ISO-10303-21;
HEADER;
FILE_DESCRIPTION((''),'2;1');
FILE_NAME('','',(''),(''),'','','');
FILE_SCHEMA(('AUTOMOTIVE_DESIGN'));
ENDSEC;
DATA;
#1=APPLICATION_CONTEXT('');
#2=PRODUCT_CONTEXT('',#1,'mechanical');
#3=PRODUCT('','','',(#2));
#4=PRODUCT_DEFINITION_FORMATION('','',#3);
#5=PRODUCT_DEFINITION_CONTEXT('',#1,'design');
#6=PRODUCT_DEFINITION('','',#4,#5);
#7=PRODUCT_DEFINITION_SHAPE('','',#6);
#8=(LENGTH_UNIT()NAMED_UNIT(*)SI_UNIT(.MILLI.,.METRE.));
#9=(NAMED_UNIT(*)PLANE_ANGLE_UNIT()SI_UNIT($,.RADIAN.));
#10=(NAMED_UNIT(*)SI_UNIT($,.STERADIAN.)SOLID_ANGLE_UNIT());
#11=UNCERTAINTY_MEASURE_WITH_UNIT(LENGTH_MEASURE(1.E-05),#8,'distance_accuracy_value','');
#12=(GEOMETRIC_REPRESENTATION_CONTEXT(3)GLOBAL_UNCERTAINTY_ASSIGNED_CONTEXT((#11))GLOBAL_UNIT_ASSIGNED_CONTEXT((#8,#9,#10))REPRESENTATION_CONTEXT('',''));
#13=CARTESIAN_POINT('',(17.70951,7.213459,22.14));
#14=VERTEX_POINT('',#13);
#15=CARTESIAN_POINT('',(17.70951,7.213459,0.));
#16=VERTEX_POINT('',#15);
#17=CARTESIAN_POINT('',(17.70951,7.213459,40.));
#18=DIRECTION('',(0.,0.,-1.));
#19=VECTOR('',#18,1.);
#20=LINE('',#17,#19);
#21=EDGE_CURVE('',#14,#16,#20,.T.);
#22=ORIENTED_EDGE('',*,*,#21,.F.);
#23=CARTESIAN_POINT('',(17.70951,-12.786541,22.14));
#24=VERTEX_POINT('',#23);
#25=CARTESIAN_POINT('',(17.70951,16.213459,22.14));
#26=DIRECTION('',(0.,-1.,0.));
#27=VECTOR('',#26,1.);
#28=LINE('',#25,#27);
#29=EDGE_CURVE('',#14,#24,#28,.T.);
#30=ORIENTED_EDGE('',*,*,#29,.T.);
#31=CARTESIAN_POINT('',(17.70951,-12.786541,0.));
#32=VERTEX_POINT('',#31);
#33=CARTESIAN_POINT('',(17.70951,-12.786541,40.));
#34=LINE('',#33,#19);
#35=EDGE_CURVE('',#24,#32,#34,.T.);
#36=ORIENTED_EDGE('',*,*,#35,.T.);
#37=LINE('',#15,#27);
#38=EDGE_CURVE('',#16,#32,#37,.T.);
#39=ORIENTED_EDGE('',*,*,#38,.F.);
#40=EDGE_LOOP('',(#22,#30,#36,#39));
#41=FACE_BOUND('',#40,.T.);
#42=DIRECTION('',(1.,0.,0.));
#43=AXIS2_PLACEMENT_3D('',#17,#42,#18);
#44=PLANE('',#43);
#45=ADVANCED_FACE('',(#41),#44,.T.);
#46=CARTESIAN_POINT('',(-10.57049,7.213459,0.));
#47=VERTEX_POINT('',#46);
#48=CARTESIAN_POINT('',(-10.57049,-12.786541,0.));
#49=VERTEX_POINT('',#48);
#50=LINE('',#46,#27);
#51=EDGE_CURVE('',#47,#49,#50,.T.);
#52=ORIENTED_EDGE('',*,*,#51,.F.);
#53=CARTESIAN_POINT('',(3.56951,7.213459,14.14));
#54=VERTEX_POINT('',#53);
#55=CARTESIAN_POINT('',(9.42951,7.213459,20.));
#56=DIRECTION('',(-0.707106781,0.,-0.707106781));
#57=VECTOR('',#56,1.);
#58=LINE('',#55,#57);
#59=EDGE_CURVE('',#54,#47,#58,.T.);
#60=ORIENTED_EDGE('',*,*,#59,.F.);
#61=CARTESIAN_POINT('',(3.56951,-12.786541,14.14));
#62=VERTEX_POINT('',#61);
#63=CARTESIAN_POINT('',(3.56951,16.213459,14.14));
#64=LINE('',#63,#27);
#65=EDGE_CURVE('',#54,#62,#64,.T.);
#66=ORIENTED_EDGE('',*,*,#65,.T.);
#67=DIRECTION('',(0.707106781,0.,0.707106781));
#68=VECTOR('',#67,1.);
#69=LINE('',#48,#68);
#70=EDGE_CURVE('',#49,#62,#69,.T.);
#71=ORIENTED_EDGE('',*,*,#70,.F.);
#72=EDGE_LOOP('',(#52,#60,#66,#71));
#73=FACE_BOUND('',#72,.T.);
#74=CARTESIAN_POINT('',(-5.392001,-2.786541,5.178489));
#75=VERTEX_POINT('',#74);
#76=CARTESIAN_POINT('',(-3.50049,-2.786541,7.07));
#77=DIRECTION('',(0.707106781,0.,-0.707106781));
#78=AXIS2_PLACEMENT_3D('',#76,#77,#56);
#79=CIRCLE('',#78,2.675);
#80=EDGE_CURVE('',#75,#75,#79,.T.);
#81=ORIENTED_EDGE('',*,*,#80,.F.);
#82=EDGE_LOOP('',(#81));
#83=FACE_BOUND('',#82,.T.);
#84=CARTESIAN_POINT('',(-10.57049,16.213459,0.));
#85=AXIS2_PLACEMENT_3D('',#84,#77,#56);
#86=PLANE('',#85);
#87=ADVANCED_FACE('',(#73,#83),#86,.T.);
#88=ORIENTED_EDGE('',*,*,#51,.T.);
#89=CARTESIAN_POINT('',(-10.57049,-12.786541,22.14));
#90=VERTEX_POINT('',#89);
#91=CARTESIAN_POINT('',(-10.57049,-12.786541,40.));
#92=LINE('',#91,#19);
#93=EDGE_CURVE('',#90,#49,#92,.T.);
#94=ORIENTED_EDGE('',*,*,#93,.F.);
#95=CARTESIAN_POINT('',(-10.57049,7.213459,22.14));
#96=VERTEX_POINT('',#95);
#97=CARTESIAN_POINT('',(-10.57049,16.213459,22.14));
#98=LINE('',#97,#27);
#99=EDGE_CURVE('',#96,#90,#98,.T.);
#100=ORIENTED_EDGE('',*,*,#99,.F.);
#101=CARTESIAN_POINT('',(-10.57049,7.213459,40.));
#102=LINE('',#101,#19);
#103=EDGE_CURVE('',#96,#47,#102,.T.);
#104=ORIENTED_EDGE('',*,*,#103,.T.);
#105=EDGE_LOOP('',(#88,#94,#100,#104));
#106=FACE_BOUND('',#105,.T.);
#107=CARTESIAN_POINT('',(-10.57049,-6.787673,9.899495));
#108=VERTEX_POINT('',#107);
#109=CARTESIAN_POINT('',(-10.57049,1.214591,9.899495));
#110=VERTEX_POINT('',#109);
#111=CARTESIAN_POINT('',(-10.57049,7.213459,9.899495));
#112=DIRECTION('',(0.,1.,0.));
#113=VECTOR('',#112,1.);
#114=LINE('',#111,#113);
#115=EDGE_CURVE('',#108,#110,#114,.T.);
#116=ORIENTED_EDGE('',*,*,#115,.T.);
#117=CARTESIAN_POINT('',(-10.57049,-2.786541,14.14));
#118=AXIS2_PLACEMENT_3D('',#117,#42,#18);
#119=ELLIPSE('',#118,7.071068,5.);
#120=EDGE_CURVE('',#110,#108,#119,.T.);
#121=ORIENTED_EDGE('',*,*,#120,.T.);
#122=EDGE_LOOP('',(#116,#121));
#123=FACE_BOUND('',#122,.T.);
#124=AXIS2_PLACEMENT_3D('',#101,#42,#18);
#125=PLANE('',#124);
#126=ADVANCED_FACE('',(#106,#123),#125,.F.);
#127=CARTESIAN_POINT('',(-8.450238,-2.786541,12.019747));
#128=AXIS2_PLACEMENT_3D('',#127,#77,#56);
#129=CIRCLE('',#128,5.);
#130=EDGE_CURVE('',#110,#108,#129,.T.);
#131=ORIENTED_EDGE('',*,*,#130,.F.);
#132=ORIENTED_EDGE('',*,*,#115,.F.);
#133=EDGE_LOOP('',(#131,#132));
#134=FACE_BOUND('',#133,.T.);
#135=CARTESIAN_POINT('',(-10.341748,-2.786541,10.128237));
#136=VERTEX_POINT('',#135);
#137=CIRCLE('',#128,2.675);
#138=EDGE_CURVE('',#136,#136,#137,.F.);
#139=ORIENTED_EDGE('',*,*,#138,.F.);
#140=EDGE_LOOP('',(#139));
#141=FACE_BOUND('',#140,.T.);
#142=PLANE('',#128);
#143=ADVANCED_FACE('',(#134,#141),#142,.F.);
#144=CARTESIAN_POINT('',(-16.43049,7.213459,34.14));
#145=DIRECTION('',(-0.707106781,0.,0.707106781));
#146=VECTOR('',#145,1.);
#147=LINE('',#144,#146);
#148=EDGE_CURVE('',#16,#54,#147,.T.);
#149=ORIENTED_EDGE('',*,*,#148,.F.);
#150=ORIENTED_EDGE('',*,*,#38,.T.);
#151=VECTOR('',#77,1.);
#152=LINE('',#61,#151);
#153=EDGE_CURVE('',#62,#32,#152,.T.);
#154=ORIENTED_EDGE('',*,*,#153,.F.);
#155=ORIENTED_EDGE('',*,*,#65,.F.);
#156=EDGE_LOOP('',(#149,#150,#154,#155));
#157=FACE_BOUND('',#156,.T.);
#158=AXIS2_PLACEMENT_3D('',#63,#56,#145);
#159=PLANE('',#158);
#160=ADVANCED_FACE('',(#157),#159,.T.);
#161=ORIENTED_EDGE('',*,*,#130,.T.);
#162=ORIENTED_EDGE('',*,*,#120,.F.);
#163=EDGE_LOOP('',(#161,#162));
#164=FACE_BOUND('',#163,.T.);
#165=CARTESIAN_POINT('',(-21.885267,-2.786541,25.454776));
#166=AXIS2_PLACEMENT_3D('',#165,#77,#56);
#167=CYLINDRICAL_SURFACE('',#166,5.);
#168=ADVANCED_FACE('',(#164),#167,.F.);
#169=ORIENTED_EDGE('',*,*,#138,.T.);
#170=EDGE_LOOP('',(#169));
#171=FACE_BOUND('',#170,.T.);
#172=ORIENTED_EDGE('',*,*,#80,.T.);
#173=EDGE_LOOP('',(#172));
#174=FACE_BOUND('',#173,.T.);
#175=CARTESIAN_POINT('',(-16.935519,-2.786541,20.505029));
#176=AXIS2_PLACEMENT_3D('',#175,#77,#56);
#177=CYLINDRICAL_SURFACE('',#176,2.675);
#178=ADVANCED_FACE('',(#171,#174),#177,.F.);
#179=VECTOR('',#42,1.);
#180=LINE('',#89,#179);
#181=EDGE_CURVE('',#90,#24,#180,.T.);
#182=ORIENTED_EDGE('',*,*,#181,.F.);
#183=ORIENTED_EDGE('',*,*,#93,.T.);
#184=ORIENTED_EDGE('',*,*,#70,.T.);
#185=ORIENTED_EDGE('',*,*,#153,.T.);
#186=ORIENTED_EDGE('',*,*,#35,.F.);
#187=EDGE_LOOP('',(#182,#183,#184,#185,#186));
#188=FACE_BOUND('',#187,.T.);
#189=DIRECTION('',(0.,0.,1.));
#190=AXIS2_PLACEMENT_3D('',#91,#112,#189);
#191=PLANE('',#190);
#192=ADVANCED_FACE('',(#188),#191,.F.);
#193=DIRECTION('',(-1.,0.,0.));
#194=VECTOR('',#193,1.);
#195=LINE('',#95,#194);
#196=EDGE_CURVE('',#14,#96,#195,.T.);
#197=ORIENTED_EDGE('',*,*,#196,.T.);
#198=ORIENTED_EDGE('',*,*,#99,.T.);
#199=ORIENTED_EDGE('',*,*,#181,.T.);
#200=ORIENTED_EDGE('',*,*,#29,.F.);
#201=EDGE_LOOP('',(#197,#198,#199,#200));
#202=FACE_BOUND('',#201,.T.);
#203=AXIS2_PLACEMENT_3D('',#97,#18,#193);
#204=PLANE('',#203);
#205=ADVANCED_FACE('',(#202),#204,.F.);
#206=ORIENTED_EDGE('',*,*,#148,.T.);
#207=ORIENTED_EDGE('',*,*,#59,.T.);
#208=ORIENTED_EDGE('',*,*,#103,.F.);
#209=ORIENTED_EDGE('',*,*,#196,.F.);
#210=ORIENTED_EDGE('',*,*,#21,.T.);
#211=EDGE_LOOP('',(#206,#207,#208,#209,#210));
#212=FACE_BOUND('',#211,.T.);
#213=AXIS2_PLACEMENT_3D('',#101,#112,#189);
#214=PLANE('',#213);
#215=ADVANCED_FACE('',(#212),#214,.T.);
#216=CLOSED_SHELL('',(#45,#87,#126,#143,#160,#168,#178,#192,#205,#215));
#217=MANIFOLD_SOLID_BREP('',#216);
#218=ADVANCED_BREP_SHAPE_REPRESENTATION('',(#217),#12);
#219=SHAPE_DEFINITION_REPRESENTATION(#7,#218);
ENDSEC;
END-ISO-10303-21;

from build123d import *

# Parameters (mm, degrees)
SKETCH1_W           = 28.28
SKETCH1_H           = 20
BOSS_EXTRUDE1_DEPTH = 40
SKETCH2_W           = 28.28
SKETCH2_H           = 17.86
CUT_EXTRUDE1_DEPTH  = 29
SKETCH3_R           = 2.675
CUT_EXTRUDE2_DEPTH  = 19
CUT_EXTRUDE3_START  = -7
SKETCH4_R           = 5
CUT_EXTRUDE3_DEPTH  = 19


with BuildPart() as part:
    # Sketch1 → Boss-Extrude1 (new body)
    with BuildSketch(Plane.XY):
        with Locations((3.569509613, -2.786541121)):
            Rectangle(SKETCH1_W, SKETCH1_H)
    extrude(amount=BOSS_EXTRUDE1_DEPTH)

    # Sketch2 → Cut-Extrude1 (cut)
    with BuildSketch(Plane.XZ.offset(12.786541121)):
        Polygon((-10.570490387, 0), (3.569509613, 14.14), (17.709509613, 0), align=None)
        with Locations((3.569509613, 31.07)):
            Rectangle(SKETCH2_W, SKETCH2_H)
    extrude(amount=-CUT_EXTRUDE1_DEPTH, mode=Mode.SUBTRACT)

    # Sketch3 → Cut-Extrude2 (cut)
    with BuildSketch(Plane(origin=(-5.285245194, 0, 5.285245194), x_dir=(-0.707106781186544, 0, -0.7071067811865511), z_dir=(0.7071067811865511, 0, -0.707106781186544))):
        with Locations((-2.524024453, -2.786541121)):
            Circle(SKETCH3_R)
    extrude(amount=-CUT_EXTRUDE2_DEPTH, mode=Mode.SUBTRACT)

    # Sketch4 → Cut-Extrude3 (cut)
    with BuildSketch(Plane(origin=(-5.285245194, 0, 5.285245194), x_dir=(-0.707106781186544, 0, -0.7071067811865511), z_dir=(0.7071067811865511, 0, -0.707106781186544)).offset(CUT_EXTRUDE3_START)):
        with Locations((-2.524024453, -2.786541121)):
            Circle(SKETCH4_R)
    extrude(amount=-CUT_EXTRUDE3_DEPTH, mode=Mode.SUBTRACT)


solid = part.part
